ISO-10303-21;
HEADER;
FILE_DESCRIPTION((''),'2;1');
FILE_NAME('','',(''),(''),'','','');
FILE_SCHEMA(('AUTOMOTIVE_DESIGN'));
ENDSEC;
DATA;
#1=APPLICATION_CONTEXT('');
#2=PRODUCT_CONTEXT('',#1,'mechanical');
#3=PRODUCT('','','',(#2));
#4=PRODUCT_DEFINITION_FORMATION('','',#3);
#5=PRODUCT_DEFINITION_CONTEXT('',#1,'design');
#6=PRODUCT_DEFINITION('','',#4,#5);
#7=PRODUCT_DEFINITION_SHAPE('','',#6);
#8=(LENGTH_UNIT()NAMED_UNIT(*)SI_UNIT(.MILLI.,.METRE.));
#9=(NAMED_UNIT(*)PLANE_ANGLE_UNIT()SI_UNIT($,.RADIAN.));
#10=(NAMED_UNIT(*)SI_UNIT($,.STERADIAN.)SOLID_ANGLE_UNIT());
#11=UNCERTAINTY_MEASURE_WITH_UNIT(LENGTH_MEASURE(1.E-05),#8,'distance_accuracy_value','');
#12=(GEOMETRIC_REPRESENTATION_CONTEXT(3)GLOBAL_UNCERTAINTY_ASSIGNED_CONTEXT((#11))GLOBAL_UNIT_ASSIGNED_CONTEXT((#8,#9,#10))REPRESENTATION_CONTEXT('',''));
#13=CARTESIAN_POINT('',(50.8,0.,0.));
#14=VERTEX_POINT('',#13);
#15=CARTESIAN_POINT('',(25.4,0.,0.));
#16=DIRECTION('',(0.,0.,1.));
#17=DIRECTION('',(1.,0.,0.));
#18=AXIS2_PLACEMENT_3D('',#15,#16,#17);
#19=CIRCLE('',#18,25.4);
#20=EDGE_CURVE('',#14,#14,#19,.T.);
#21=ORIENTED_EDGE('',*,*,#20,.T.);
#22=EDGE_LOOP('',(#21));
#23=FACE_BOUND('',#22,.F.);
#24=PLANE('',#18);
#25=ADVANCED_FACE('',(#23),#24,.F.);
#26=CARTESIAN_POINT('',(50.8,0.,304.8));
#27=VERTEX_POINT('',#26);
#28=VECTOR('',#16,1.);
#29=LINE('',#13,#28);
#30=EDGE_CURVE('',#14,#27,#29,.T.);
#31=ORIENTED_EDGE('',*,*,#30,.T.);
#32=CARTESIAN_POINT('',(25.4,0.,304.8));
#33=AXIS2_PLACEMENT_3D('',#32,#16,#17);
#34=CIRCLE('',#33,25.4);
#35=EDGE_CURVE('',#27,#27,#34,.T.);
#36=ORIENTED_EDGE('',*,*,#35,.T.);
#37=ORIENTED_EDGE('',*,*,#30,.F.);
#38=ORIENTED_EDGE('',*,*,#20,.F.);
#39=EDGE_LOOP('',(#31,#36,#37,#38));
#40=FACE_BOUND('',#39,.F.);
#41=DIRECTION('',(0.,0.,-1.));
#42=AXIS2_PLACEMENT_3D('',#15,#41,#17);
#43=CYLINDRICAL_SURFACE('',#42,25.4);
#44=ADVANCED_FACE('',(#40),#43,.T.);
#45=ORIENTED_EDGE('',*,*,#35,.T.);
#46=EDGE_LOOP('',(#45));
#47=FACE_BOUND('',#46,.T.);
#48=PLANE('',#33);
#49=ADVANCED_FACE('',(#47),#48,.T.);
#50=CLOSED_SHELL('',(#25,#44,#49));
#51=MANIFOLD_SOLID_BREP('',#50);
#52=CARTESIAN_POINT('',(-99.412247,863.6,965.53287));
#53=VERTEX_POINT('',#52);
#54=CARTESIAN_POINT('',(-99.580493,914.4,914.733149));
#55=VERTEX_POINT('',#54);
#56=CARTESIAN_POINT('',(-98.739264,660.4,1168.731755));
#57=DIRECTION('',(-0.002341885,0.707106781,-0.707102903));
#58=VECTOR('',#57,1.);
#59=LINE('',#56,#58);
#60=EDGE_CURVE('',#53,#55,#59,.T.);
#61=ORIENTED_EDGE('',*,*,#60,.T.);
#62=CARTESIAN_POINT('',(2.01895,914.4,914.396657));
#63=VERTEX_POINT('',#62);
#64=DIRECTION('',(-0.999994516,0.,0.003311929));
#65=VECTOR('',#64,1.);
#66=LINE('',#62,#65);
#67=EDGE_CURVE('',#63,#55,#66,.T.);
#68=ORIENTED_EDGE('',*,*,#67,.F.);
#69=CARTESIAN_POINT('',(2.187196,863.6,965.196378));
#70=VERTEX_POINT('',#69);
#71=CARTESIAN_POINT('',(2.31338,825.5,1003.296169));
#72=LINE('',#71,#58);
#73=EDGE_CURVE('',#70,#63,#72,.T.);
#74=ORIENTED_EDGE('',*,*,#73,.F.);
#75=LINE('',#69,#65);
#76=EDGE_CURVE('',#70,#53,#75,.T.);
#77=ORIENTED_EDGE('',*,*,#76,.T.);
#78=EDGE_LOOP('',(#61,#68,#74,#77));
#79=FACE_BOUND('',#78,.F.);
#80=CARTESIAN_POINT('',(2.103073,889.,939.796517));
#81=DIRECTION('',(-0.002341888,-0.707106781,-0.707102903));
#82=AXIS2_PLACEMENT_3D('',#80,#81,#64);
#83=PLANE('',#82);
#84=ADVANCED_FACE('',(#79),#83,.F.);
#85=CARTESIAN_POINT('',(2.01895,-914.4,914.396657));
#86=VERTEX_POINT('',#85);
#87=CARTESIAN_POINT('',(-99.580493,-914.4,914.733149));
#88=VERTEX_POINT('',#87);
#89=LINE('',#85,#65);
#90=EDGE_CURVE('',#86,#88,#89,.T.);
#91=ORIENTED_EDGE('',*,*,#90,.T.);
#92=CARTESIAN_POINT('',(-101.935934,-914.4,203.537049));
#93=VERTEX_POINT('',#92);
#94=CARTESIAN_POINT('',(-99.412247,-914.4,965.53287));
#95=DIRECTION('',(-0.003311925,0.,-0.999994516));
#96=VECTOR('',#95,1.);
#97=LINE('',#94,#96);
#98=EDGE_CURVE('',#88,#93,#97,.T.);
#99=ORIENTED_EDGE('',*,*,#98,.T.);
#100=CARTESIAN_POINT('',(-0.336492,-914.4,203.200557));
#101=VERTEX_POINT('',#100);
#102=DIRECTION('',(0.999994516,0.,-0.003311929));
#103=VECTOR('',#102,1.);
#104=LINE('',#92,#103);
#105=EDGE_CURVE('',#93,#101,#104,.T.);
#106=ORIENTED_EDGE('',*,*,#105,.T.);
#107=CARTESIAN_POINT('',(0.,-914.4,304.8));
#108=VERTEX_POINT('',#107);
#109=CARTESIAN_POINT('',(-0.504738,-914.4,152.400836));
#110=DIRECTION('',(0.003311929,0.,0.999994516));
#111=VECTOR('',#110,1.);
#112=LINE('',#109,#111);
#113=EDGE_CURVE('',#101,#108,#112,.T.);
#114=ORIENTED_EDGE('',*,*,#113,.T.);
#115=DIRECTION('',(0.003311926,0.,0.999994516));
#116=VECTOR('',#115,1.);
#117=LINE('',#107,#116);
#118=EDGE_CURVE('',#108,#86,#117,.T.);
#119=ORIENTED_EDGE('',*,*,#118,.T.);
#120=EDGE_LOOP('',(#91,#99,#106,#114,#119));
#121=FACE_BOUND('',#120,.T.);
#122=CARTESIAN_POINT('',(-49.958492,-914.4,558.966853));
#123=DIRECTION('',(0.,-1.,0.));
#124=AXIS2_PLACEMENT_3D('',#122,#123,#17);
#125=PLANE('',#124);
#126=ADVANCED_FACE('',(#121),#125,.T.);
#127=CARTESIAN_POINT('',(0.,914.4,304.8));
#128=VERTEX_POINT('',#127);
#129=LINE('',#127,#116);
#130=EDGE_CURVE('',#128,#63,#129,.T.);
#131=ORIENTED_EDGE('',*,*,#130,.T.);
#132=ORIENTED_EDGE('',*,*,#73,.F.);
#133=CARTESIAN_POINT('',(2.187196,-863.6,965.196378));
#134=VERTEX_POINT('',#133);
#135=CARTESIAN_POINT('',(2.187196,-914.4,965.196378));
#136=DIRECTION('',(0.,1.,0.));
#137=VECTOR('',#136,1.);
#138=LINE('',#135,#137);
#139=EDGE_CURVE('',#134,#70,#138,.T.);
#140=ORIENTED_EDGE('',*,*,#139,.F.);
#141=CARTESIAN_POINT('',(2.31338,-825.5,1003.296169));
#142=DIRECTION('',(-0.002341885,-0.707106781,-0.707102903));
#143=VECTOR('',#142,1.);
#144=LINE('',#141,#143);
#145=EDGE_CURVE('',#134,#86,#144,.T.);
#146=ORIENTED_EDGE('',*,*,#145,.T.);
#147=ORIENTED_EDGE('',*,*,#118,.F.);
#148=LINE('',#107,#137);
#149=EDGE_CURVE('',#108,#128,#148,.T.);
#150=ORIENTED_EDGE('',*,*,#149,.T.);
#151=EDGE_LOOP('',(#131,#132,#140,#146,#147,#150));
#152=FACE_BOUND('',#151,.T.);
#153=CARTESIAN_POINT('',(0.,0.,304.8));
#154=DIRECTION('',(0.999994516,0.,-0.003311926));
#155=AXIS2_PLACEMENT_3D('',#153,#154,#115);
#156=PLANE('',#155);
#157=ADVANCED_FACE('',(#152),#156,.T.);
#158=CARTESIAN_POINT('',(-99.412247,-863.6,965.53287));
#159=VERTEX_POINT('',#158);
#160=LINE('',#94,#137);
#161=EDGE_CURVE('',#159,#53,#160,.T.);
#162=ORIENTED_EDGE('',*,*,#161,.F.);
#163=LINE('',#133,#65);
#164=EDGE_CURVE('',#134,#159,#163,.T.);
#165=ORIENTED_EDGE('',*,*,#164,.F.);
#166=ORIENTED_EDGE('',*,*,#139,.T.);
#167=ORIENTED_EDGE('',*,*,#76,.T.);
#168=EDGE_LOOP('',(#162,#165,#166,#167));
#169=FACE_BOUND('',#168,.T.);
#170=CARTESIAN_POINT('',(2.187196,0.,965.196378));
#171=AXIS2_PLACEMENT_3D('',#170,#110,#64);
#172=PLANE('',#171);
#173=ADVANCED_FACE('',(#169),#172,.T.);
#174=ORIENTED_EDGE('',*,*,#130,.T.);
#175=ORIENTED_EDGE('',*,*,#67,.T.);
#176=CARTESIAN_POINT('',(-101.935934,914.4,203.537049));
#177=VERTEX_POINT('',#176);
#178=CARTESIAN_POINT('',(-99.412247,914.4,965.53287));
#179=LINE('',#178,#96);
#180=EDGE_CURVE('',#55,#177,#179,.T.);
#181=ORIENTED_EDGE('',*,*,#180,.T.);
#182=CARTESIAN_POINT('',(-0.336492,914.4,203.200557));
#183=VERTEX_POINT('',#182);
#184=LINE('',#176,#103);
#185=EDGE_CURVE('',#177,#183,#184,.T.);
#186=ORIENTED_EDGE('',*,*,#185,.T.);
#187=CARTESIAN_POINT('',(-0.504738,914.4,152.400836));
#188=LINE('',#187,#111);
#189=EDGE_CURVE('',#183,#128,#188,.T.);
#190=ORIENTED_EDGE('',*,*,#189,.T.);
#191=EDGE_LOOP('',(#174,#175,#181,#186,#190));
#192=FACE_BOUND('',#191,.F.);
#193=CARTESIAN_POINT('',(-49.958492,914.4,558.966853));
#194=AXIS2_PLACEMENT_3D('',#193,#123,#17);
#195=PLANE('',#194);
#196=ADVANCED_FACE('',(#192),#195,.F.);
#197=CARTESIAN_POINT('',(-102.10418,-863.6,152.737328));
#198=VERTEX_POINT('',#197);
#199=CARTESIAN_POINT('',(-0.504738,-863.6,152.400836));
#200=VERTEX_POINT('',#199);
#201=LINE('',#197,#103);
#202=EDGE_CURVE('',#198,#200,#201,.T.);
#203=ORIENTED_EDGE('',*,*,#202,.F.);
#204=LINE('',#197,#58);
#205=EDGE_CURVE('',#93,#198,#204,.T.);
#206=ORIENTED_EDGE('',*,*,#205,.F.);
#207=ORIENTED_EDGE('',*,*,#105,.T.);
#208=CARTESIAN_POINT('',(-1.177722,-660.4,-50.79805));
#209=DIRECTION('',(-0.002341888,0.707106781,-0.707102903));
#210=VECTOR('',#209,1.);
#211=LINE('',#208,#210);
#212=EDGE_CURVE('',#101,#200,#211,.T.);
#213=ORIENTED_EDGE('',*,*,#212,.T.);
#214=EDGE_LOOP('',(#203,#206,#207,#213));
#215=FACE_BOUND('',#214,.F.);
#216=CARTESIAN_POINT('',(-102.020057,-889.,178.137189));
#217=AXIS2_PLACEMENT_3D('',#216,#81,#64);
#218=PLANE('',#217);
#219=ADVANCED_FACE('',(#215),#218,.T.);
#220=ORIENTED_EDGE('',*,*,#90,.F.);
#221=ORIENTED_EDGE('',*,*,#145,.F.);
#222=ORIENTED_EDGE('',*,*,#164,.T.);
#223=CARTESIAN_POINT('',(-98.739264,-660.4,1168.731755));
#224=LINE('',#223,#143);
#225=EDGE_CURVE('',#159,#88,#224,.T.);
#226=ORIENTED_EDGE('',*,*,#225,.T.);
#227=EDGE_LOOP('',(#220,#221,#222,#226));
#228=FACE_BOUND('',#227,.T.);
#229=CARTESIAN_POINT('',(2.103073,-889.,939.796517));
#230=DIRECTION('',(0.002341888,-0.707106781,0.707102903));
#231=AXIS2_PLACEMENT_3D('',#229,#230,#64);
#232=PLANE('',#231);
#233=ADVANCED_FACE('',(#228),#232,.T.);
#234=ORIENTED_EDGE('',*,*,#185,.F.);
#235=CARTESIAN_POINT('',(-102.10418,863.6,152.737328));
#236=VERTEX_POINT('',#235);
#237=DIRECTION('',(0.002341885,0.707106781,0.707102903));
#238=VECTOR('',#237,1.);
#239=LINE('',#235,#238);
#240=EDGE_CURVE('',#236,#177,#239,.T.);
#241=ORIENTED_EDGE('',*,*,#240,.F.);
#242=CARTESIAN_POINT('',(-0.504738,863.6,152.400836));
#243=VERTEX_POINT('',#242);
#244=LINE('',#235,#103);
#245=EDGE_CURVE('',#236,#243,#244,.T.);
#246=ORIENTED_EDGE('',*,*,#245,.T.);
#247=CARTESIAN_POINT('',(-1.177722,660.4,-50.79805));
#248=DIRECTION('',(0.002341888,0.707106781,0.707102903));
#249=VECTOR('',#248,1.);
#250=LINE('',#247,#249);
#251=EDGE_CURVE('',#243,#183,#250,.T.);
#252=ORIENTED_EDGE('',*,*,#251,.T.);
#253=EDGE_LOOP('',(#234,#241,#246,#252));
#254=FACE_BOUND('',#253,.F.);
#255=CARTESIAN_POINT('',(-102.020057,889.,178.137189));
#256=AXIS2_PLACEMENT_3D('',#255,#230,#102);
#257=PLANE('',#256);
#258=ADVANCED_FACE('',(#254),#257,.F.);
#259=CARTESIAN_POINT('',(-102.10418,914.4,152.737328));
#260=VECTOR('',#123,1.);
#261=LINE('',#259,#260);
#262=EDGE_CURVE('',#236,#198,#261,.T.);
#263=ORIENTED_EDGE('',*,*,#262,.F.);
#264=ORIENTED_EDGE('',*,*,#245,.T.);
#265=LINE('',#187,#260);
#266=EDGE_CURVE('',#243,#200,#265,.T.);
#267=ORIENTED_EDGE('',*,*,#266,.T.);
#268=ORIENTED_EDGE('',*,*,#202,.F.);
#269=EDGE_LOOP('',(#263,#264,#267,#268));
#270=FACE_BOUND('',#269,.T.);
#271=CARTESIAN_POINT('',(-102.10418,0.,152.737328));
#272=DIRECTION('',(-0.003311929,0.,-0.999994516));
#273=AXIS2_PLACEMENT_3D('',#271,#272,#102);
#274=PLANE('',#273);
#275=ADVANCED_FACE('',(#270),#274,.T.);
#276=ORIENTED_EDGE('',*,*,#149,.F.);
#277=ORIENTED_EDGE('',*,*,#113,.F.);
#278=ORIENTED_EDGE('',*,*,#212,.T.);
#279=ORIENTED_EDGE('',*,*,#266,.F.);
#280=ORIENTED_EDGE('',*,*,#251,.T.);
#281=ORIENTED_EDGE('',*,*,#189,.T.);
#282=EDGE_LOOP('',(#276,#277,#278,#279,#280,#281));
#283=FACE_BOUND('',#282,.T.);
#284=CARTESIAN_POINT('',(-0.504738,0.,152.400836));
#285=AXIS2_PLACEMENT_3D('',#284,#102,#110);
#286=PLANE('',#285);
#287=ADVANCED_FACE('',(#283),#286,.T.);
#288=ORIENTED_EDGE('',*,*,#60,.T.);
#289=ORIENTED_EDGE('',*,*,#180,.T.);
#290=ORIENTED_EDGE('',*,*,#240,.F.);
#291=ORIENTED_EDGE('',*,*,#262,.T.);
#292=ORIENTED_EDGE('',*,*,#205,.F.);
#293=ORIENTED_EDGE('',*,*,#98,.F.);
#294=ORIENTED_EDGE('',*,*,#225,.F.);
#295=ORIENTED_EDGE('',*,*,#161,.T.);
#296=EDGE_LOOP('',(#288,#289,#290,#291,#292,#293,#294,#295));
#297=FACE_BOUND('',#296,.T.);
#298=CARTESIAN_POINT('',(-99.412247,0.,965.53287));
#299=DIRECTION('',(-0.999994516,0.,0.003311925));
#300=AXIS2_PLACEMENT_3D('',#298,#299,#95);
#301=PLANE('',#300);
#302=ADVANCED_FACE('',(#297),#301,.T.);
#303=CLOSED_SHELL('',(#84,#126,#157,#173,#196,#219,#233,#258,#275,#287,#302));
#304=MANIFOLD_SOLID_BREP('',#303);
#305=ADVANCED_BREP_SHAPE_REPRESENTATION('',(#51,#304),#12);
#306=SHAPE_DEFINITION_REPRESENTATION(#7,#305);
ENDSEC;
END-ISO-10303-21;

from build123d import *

# Parameters (mm, degrees)
F1_DEPTH = 914.4
F2_SIZE  = 50.8
F3_R     = 25.4
F4_DEPTH = 304.8


with BuildPart() as f1:
    # F0 (on Front) → F1 (new body, symmetric)
    with BuildSketch(Plane.XZ):
        Polygon((-99.412247, 965.53287), (-102.10418, 152.737328), (-0.504738, 152.400836), (0, 304.8), (2.187196, 965.196378), align=None)
    extrude(amount=F1_DEPTH, both=True)

    # F2
    f2_edges = [f1.edges().sort_by_distance(p)[0] for p in [
        (-51.304459, -914.4, 152.569082),
        (-48.612525, -914.4, 965.364624),
        (-48.612525, 914.4, 965.364624),
        (-51.304459, 914.4, 152.569082),
    ]]
    chamfer(f2_edges, length=F2_SIZE)


with BuildPart() as f4:
    # F3 (on Top) → F4 (new body, through all)
    with BuildSketch(Plane.XY):
        with Locations((25.4, 0)):
            Circle(F3_R)
    extrude(amount=F4_DEPTH)


solid = Compound([f1.part, f4.part])
